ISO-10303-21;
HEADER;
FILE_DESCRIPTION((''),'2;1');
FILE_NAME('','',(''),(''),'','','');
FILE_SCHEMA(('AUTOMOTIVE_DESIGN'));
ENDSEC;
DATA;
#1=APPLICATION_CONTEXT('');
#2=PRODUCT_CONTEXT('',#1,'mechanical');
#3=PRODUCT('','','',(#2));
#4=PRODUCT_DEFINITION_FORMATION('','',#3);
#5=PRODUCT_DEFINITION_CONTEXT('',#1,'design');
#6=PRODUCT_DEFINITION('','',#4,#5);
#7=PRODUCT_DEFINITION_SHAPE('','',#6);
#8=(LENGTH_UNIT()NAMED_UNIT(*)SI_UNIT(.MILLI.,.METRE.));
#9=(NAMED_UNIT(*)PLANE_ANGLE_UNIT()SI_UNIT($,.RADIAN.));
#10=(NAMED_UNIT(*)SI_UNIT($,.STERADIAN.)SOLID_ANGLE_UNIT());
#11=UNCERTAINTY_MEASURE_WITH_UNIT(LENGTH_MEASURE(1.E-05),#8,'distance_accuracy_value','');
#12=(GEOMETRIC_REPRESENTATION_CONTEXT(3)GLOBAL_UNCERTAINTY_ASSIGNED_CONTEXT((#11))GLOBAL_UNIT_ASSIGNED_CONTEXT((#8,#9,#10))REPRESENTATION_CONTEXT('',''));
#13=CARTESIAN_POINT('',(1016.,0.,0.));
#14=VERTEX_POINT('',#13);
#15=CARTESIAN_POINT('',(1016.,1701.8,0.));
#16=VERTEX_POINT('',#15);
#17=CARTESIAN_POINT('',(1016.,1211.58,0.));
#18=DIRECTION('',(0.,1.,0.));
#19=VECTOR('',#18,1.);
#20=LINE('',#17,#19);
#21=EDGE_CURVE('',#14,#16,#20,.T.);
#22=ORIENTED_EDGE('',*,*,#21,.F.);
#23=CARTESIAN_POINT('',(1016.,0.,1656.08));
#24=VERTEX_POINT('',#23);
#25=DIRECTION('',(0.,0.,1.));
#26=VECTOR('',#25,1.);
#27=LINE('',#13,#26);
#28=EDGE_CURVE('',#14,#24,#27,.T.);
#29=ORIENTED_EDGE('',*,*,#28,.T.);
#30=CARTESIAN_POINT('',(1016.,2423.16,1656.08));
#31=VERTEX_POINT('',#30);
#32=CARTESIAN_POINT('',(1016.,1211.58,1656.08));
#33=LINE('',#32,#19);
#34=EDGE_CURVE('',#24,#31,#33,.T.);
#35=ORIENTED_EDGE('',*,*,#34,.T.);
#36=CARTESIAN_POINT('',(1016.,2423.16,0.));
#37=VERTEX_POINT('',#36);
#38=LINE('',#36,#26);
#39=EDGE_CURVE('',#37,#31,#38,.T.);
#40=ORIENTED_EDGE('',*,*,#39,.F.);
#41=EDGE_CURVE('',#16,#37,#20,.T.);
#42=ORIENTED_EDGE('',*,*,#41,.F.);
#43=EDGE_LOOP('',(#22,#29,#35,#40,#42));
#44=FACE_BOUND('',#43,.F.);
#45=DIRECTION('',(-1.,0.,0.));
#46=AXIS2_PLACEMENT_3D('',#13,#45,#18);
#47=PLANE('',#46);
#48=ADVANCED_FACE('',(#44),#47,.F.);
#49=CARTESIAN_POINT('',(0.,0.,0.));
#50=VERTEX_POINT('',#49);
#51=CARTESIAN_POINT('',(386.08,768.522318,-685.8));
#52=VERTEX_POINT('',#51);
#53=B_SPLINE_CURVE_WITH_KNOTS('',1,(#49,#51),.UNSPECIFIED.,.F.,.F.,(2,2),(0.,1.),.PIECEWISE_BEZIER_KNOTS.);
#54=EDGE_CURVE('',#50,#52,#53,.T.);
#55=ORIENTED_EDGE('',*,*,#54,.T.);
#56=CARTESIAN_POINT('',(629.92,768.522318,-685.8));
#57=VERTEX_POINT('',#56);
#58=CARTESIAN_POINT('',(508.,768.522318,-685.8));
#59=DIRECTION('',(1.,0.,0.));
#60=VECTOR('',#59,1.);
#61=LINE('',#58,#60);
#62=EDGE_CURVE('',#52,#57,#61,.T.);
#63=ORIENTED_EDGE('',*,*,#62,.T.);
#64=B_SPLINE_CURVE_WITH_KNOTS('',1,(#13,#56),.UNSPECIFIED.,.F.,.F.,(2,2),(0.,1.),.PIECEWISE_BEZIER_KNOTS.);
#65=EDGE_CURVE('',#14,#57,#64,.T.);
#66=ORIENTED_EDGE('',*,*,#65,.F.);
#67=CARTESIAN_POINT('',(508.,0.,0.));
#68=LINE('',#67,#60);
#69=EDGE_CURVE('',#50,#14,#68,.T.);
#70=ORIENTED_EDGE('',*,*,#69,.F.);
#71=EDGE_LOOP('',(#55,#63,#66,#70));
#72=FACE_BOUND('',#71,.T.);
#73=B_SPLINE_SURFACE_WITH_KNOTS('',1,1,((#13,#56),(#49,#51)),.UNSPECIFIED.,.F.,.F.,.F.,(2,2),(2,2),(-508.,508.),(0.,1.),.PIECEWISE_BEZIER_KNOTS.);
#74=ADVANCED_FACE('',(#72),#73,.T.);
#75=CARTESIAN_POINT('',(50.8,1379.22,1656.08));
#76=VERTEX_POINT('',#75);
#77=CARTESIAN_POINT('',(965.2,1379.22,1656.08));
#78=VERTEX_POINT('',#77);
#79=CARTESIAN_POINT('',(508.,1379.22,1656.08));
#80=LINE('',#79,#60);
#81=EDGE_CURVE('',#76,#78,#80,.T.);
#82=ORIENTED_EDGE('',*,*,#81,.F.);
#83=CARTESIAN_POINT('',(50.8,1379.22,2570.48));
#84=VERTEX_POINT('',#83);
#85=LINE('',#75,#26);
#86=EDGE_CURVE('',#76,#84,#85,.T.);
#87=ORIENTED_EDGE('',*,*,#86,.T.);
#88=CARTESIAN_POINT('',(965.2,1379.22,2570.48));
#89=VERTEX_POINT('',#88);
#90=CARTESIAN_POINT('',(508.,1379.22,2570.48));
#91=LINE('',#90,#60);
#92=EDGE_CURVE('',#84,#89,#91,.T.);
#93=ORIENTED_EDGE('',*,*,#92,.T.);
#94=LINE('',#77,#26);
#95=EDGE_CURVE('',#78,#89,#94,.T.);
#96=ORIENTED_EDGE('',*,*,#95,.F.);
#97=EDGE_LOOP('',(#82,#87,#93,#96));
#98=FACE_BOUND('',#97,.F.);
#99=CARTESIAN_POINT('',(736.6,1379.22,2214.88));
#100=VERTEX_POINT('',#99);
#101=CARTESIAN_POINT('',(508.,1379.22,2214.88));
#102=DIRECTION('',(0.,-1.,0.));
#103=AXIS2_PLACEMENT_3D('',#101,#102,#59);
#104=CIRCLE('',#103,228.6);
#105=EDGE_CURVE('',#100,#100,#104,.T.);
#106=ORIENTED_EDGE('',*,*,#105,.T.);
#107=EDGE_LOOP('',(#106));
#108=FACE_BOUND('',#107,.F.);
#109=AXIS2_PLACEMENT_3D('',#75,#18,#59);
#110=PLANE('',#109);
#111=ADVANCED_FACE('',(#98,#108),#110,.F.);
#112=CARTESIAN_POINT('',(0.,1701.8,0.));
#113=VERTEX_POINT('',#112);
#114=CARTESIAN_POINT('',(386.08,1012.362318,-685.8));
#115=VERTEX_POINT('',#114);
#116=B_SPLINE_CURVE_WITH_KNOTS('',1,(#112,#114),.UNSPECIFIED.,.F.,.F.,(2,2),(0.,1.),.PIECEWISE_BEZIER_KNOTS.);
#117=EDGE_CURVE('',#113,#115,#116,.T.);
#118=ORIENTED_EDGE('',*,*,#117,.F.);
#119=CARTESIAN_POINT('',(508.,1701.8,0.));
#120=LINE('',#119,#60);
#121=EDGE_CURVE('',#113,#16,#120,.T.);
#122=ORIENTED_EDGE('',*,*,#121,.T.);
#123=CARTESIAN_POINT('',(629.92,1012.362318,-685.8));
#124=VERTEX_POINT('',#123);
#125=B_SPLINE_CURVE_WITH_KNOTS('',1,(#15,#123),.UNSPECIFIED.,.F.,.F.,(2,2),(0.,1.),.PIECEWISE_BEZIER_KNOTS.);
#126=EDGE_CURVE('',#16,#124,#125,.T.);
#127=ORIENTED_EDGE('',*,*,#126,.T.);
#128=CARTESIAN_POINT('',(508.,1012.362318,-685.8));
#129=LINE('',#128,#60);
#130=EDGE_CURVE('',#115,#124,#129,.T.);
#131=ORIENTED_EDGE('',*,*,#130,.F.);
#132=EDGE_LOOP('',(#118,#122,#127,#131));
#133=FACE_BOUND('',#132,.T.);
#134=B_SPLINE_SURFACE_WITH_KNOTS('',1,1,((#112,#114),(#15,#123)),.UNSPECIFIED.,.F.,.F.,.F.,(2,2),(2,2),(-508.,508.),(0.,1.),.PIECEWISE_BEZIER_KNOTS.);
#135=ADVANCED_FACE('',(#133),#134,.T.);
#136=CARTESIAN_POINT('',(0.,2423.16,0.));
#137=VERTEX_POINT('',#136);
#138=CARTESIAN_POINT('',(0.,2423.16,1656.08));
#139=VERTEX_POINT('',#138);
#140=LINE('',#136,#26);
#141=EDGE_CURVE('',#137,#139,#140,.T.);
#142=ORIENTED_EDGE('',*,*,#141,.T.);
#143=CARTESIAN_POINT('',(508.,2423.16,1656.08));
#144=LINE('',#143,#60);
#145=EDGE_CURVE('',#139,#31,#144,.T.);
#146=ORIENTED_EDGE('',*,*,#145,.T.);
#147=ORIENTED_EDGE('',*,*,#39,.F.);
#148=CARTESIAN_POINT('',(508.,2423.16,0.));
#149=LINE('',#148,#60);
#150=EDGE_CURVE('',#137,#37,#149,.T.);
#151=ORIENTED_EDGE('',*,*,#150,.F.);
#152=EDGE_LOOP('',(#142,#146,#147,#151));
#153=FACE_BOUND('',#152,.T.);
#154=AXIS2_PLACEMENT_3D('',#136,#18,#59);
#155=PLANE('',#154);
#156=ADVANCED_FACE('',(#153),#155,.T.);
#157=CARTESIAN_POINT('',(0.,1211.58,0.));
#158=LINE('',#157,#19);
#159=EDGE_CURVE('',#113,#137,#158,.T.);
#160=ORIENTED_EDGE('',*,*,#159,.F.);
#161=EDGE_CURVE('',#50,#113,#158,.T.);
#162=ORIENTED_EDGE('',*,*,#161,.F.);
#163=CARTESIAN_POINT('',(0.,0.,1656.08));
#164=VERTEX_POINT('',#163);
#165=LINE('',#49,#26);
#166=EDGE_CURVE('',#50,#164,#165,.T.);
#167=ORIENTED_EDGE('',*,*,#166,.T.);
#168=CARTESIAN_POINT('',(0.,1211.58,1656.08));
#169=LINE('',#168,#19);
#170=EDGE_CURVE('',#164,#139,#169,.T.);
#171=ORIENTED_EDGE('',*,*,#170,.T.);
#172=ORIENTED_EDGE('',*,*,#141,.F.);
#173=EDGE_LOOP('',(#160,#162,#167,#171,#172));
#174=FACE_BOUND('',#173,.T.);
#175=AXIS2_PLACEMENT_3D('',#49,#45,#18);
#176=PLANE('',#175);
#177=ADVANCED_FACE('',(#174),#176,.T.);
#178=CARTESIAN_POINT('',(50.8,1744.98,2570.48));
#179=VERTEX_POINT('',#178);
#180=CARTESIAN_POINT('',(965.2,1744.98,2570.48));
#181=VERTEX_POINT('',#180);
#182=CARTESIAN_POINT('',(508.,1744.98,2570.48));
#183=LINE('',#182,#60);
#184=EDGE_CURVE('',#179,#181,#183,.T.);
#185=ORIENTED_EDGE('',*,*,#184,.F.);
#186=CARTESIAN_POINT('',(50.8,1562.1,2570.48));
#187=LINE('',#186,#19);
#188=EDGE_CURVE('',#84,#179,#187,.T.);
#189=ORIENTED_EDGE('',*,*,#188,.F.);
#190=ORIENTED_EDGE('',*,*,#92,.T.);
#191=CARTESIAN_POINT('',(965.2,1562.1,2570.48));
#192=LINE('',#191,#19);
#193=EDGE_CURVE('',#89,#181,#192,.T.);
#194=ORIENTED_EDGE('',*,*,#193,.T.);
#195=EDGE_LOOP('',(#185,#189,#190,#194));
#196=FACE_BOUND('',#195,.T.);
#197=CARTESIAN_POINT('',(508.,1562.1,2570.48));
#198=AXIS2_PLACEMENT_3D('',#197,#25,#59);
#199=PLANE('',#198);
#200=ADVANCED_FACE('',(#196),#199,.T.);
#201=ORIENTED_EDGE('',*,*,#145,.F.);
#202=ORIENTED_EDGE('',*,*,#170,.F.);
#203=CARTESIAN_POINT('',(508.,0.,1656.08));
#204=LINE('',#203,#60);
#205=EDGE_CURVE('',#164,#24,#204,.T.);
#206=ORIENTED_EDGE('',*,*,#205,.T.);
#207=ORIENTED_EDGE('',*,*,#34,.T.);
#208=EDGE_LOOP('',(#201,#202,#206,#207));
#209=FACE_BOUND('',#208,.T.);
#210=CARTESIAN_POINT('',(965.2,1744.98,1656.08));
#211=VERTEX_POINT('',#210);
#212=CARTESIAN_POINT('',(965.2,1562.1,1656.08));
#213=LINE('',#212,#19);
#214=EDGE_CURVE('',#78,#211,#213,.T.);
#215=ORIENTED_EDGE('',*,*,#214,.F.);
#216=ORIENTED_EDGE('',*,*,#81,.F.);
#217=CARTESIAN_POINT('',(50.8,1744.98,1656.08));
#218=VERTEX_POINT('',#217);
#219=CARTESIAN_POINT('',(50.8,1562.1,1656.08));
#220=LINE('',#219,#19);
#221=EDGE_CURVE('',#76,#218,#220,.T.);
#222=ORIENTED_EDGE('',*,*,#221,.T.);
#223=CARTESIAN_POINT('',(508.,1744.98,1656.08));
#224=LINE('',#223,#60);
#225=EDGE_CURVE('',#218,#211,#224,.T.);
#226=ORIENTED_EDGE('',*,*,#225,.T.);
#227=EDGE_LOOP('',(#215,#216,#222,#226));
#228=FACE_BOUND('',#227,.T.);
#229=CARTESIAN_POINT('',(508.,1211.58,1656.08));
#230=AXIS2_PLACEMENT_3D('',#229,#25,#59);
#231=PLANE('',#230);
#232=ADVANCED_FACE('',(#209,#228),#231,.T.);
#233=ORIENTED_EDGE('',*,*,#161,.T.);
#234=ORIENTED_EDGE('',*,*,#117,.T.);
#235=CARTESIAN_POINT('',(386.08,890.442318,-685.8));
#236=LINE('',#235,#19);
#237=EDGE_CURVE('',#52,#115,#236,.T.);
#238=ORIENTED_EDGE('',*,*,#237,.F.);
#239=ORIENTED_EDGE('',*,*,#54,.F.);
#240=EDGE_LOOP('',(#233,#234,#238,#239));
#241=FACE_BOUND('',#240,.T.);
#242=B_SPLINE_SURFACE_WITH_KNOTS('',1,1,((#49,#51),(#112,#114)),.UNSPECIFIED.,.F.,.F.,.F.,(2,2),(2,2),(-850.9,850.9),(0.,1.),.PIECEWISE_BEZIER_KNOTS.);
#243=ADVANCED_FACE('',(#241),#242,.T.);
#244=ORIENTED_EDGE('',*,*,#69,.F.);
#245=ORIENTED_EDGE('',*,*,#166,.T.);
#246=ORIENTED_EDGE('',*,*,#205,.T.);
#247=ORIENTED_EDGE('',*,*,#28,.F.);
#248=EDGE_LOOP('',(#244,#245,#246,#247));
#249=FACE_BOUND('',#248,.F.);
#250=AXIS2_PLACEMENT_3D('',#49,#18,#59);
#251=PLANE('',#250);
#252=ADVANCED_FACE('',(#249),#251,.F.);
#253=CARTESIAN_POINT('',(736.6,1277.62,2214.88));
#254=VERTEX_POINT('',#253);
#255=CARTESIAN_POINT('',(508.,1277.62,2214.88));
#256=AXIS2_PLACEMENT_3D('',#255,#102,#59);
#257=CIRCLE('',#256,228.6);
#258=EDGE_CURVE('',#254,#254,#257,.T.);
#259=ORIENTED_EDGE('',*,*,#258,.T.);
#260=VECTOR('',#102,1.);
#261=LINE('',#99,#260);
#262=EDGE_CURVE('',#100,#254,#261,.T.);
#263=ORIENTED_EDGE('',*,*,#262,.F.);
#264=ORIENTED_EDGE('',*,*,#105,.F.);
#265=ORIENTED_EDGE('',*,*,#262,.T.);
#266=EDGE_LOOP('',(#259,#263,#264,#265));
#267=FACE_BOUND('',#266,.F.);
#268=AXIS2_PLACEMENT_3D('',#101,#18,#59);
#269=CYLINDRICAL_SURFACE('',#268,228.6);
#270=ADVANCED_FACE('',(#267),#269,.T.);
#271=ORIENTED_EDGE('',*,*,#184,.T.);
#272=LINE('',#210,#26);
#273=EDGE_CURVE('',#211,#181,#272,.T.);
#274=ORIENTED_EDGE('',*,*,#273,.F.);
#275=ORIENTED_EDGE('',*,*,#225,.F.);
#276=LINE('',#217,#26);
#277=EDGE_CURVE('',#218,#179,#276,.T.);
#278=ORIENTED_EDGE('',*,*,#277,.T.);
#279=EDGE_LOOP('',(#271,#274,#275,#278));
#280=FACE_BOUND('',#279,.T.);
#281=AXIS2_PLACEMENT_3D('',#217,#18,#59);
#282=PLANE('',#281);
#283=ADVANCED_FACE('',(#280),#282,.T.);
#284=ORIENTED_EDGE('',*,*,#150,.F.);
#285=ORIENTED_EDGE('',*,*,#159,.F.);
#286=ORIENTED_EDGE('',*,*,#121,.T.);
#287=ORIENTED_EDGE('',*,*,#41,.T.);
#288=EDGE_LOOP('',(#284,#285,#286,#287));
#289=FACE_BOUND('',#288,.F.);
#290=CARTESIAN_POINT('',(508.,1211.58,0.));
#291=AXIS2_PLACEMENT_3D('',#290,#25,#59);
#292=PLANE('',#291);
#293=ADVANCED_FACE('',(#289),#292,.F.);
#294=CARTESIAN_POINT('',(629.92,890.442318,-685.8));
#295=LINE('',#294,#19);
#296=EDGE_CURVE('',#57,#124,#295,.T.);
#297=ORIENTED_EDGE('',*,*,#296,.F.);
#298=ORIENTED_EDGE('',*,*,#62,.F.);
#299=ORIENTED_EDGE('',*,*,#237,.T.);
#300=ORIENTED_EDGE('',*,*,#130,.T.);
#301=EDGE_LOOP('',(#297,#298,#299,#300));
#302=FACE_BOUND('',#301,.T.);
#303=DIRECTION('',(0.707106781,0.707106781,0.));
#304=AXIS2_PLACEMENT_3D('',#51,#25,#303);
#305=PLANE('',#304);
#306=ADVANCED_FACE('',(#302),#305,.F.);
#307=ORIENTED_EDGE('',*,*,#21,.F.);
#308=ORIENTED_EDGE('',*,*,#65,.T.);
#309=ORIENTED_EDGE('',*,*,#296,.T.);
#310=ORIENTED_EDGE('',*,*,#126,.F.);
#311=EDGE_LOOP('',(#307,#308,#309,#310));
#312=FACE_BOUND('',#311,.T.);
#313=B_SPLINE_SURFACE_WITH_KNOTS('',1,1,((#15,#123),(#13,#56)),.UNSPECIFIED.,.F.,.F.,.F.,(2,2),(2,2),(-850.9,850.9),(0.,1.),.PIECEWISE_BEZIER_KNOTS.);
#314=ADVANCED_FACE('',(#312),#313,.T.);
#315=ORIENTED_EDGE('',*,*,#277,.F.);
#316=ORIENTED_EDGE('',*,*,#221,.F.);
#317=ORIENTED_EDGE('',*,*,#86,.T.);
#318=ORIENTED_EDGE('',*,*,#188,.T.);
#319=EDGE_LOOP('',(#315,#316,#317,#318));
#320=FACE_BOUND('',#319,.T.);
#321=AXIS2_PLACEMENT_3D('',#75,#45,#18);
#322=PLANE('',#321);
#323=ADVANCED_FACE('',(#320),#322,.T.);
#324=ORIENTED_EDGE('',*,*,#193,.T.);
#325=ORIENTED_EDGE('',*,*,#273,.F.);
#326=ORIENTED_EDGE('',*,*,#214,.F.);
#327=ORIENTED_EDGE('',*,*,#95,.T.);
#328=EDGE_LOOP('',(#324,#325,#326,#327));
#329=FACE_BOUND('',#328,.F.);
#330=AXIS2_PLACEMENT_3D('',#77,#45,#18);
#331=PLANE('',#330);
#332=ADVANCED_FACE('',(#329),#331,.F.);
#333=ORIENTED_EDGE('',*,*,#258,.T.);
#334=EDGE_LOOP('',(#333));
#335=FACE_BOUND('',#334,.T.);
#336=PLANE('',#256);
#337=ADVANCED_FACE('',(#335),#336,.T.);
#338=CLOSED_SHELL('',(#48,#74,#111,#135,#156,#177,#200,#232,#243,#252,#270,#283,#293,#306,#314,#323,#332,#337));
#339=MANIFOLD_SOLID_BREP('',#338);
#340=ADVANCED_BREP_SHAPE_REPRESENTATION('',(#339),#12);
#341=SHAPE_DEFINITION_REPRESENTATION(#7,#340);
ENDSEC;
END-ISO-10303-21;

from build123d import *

# Parameters (mm, degrees)
F0_W     = 1016
F0_H     = 2423.16
F1_DEPTH = 1656.08
F2_W     = 914.4
F2_H     = 365.76
F3_DEPTH = 914.4
F4_R     = 228.6
F5_DEPTH = 101.6
F7_W     = 1016
F7_H     = 1701.8
F8_W     = 243.84
F8_H     = 243.84


with BuildPart() as f1:
    # F0 (on Top) → F1 (new body)
    with BuildSketch(Plane.XY):
        with Locations((508, 1211.58)):
            Rectangle(F0_W, F0_H)
    extrude(amount=F1_DEPTH)

    # F2 (on face) → F3 (join)
    with BuildSketch(Plane.XY.offset(1656.08)):
        with Locations((508, 1562.1)):
            Rectangle(F2_W, F2_H)
    extrude(amount=F3_DEPTH)

    # F4 (on face) → F5 (join)
    with BuildSketch(Plane.XZ.offset(-1379.22)):
        with Locations((508, 2214.88)):
            Circle(F4_R)
    extrude(amount=F5_DEPTH)

    # F7 (on face) → F9 section 0
    with BuildSketch(Plane(origin=(0, 0, 0), x_dir=(1, 0, 0), z_dir=(0, 0, -1))):
        with Locations((508, -850.9)):
            Rectangle(F7_W, F7_H)
    # F8 (on offset) → F9 section 1
    with BuildSketch(Plane.XY.offset(-685.8)):
        with Locations((508, 890.442318)):
            Rectangle(F8_W, F8_H)
    loft()


solid = f1.part
